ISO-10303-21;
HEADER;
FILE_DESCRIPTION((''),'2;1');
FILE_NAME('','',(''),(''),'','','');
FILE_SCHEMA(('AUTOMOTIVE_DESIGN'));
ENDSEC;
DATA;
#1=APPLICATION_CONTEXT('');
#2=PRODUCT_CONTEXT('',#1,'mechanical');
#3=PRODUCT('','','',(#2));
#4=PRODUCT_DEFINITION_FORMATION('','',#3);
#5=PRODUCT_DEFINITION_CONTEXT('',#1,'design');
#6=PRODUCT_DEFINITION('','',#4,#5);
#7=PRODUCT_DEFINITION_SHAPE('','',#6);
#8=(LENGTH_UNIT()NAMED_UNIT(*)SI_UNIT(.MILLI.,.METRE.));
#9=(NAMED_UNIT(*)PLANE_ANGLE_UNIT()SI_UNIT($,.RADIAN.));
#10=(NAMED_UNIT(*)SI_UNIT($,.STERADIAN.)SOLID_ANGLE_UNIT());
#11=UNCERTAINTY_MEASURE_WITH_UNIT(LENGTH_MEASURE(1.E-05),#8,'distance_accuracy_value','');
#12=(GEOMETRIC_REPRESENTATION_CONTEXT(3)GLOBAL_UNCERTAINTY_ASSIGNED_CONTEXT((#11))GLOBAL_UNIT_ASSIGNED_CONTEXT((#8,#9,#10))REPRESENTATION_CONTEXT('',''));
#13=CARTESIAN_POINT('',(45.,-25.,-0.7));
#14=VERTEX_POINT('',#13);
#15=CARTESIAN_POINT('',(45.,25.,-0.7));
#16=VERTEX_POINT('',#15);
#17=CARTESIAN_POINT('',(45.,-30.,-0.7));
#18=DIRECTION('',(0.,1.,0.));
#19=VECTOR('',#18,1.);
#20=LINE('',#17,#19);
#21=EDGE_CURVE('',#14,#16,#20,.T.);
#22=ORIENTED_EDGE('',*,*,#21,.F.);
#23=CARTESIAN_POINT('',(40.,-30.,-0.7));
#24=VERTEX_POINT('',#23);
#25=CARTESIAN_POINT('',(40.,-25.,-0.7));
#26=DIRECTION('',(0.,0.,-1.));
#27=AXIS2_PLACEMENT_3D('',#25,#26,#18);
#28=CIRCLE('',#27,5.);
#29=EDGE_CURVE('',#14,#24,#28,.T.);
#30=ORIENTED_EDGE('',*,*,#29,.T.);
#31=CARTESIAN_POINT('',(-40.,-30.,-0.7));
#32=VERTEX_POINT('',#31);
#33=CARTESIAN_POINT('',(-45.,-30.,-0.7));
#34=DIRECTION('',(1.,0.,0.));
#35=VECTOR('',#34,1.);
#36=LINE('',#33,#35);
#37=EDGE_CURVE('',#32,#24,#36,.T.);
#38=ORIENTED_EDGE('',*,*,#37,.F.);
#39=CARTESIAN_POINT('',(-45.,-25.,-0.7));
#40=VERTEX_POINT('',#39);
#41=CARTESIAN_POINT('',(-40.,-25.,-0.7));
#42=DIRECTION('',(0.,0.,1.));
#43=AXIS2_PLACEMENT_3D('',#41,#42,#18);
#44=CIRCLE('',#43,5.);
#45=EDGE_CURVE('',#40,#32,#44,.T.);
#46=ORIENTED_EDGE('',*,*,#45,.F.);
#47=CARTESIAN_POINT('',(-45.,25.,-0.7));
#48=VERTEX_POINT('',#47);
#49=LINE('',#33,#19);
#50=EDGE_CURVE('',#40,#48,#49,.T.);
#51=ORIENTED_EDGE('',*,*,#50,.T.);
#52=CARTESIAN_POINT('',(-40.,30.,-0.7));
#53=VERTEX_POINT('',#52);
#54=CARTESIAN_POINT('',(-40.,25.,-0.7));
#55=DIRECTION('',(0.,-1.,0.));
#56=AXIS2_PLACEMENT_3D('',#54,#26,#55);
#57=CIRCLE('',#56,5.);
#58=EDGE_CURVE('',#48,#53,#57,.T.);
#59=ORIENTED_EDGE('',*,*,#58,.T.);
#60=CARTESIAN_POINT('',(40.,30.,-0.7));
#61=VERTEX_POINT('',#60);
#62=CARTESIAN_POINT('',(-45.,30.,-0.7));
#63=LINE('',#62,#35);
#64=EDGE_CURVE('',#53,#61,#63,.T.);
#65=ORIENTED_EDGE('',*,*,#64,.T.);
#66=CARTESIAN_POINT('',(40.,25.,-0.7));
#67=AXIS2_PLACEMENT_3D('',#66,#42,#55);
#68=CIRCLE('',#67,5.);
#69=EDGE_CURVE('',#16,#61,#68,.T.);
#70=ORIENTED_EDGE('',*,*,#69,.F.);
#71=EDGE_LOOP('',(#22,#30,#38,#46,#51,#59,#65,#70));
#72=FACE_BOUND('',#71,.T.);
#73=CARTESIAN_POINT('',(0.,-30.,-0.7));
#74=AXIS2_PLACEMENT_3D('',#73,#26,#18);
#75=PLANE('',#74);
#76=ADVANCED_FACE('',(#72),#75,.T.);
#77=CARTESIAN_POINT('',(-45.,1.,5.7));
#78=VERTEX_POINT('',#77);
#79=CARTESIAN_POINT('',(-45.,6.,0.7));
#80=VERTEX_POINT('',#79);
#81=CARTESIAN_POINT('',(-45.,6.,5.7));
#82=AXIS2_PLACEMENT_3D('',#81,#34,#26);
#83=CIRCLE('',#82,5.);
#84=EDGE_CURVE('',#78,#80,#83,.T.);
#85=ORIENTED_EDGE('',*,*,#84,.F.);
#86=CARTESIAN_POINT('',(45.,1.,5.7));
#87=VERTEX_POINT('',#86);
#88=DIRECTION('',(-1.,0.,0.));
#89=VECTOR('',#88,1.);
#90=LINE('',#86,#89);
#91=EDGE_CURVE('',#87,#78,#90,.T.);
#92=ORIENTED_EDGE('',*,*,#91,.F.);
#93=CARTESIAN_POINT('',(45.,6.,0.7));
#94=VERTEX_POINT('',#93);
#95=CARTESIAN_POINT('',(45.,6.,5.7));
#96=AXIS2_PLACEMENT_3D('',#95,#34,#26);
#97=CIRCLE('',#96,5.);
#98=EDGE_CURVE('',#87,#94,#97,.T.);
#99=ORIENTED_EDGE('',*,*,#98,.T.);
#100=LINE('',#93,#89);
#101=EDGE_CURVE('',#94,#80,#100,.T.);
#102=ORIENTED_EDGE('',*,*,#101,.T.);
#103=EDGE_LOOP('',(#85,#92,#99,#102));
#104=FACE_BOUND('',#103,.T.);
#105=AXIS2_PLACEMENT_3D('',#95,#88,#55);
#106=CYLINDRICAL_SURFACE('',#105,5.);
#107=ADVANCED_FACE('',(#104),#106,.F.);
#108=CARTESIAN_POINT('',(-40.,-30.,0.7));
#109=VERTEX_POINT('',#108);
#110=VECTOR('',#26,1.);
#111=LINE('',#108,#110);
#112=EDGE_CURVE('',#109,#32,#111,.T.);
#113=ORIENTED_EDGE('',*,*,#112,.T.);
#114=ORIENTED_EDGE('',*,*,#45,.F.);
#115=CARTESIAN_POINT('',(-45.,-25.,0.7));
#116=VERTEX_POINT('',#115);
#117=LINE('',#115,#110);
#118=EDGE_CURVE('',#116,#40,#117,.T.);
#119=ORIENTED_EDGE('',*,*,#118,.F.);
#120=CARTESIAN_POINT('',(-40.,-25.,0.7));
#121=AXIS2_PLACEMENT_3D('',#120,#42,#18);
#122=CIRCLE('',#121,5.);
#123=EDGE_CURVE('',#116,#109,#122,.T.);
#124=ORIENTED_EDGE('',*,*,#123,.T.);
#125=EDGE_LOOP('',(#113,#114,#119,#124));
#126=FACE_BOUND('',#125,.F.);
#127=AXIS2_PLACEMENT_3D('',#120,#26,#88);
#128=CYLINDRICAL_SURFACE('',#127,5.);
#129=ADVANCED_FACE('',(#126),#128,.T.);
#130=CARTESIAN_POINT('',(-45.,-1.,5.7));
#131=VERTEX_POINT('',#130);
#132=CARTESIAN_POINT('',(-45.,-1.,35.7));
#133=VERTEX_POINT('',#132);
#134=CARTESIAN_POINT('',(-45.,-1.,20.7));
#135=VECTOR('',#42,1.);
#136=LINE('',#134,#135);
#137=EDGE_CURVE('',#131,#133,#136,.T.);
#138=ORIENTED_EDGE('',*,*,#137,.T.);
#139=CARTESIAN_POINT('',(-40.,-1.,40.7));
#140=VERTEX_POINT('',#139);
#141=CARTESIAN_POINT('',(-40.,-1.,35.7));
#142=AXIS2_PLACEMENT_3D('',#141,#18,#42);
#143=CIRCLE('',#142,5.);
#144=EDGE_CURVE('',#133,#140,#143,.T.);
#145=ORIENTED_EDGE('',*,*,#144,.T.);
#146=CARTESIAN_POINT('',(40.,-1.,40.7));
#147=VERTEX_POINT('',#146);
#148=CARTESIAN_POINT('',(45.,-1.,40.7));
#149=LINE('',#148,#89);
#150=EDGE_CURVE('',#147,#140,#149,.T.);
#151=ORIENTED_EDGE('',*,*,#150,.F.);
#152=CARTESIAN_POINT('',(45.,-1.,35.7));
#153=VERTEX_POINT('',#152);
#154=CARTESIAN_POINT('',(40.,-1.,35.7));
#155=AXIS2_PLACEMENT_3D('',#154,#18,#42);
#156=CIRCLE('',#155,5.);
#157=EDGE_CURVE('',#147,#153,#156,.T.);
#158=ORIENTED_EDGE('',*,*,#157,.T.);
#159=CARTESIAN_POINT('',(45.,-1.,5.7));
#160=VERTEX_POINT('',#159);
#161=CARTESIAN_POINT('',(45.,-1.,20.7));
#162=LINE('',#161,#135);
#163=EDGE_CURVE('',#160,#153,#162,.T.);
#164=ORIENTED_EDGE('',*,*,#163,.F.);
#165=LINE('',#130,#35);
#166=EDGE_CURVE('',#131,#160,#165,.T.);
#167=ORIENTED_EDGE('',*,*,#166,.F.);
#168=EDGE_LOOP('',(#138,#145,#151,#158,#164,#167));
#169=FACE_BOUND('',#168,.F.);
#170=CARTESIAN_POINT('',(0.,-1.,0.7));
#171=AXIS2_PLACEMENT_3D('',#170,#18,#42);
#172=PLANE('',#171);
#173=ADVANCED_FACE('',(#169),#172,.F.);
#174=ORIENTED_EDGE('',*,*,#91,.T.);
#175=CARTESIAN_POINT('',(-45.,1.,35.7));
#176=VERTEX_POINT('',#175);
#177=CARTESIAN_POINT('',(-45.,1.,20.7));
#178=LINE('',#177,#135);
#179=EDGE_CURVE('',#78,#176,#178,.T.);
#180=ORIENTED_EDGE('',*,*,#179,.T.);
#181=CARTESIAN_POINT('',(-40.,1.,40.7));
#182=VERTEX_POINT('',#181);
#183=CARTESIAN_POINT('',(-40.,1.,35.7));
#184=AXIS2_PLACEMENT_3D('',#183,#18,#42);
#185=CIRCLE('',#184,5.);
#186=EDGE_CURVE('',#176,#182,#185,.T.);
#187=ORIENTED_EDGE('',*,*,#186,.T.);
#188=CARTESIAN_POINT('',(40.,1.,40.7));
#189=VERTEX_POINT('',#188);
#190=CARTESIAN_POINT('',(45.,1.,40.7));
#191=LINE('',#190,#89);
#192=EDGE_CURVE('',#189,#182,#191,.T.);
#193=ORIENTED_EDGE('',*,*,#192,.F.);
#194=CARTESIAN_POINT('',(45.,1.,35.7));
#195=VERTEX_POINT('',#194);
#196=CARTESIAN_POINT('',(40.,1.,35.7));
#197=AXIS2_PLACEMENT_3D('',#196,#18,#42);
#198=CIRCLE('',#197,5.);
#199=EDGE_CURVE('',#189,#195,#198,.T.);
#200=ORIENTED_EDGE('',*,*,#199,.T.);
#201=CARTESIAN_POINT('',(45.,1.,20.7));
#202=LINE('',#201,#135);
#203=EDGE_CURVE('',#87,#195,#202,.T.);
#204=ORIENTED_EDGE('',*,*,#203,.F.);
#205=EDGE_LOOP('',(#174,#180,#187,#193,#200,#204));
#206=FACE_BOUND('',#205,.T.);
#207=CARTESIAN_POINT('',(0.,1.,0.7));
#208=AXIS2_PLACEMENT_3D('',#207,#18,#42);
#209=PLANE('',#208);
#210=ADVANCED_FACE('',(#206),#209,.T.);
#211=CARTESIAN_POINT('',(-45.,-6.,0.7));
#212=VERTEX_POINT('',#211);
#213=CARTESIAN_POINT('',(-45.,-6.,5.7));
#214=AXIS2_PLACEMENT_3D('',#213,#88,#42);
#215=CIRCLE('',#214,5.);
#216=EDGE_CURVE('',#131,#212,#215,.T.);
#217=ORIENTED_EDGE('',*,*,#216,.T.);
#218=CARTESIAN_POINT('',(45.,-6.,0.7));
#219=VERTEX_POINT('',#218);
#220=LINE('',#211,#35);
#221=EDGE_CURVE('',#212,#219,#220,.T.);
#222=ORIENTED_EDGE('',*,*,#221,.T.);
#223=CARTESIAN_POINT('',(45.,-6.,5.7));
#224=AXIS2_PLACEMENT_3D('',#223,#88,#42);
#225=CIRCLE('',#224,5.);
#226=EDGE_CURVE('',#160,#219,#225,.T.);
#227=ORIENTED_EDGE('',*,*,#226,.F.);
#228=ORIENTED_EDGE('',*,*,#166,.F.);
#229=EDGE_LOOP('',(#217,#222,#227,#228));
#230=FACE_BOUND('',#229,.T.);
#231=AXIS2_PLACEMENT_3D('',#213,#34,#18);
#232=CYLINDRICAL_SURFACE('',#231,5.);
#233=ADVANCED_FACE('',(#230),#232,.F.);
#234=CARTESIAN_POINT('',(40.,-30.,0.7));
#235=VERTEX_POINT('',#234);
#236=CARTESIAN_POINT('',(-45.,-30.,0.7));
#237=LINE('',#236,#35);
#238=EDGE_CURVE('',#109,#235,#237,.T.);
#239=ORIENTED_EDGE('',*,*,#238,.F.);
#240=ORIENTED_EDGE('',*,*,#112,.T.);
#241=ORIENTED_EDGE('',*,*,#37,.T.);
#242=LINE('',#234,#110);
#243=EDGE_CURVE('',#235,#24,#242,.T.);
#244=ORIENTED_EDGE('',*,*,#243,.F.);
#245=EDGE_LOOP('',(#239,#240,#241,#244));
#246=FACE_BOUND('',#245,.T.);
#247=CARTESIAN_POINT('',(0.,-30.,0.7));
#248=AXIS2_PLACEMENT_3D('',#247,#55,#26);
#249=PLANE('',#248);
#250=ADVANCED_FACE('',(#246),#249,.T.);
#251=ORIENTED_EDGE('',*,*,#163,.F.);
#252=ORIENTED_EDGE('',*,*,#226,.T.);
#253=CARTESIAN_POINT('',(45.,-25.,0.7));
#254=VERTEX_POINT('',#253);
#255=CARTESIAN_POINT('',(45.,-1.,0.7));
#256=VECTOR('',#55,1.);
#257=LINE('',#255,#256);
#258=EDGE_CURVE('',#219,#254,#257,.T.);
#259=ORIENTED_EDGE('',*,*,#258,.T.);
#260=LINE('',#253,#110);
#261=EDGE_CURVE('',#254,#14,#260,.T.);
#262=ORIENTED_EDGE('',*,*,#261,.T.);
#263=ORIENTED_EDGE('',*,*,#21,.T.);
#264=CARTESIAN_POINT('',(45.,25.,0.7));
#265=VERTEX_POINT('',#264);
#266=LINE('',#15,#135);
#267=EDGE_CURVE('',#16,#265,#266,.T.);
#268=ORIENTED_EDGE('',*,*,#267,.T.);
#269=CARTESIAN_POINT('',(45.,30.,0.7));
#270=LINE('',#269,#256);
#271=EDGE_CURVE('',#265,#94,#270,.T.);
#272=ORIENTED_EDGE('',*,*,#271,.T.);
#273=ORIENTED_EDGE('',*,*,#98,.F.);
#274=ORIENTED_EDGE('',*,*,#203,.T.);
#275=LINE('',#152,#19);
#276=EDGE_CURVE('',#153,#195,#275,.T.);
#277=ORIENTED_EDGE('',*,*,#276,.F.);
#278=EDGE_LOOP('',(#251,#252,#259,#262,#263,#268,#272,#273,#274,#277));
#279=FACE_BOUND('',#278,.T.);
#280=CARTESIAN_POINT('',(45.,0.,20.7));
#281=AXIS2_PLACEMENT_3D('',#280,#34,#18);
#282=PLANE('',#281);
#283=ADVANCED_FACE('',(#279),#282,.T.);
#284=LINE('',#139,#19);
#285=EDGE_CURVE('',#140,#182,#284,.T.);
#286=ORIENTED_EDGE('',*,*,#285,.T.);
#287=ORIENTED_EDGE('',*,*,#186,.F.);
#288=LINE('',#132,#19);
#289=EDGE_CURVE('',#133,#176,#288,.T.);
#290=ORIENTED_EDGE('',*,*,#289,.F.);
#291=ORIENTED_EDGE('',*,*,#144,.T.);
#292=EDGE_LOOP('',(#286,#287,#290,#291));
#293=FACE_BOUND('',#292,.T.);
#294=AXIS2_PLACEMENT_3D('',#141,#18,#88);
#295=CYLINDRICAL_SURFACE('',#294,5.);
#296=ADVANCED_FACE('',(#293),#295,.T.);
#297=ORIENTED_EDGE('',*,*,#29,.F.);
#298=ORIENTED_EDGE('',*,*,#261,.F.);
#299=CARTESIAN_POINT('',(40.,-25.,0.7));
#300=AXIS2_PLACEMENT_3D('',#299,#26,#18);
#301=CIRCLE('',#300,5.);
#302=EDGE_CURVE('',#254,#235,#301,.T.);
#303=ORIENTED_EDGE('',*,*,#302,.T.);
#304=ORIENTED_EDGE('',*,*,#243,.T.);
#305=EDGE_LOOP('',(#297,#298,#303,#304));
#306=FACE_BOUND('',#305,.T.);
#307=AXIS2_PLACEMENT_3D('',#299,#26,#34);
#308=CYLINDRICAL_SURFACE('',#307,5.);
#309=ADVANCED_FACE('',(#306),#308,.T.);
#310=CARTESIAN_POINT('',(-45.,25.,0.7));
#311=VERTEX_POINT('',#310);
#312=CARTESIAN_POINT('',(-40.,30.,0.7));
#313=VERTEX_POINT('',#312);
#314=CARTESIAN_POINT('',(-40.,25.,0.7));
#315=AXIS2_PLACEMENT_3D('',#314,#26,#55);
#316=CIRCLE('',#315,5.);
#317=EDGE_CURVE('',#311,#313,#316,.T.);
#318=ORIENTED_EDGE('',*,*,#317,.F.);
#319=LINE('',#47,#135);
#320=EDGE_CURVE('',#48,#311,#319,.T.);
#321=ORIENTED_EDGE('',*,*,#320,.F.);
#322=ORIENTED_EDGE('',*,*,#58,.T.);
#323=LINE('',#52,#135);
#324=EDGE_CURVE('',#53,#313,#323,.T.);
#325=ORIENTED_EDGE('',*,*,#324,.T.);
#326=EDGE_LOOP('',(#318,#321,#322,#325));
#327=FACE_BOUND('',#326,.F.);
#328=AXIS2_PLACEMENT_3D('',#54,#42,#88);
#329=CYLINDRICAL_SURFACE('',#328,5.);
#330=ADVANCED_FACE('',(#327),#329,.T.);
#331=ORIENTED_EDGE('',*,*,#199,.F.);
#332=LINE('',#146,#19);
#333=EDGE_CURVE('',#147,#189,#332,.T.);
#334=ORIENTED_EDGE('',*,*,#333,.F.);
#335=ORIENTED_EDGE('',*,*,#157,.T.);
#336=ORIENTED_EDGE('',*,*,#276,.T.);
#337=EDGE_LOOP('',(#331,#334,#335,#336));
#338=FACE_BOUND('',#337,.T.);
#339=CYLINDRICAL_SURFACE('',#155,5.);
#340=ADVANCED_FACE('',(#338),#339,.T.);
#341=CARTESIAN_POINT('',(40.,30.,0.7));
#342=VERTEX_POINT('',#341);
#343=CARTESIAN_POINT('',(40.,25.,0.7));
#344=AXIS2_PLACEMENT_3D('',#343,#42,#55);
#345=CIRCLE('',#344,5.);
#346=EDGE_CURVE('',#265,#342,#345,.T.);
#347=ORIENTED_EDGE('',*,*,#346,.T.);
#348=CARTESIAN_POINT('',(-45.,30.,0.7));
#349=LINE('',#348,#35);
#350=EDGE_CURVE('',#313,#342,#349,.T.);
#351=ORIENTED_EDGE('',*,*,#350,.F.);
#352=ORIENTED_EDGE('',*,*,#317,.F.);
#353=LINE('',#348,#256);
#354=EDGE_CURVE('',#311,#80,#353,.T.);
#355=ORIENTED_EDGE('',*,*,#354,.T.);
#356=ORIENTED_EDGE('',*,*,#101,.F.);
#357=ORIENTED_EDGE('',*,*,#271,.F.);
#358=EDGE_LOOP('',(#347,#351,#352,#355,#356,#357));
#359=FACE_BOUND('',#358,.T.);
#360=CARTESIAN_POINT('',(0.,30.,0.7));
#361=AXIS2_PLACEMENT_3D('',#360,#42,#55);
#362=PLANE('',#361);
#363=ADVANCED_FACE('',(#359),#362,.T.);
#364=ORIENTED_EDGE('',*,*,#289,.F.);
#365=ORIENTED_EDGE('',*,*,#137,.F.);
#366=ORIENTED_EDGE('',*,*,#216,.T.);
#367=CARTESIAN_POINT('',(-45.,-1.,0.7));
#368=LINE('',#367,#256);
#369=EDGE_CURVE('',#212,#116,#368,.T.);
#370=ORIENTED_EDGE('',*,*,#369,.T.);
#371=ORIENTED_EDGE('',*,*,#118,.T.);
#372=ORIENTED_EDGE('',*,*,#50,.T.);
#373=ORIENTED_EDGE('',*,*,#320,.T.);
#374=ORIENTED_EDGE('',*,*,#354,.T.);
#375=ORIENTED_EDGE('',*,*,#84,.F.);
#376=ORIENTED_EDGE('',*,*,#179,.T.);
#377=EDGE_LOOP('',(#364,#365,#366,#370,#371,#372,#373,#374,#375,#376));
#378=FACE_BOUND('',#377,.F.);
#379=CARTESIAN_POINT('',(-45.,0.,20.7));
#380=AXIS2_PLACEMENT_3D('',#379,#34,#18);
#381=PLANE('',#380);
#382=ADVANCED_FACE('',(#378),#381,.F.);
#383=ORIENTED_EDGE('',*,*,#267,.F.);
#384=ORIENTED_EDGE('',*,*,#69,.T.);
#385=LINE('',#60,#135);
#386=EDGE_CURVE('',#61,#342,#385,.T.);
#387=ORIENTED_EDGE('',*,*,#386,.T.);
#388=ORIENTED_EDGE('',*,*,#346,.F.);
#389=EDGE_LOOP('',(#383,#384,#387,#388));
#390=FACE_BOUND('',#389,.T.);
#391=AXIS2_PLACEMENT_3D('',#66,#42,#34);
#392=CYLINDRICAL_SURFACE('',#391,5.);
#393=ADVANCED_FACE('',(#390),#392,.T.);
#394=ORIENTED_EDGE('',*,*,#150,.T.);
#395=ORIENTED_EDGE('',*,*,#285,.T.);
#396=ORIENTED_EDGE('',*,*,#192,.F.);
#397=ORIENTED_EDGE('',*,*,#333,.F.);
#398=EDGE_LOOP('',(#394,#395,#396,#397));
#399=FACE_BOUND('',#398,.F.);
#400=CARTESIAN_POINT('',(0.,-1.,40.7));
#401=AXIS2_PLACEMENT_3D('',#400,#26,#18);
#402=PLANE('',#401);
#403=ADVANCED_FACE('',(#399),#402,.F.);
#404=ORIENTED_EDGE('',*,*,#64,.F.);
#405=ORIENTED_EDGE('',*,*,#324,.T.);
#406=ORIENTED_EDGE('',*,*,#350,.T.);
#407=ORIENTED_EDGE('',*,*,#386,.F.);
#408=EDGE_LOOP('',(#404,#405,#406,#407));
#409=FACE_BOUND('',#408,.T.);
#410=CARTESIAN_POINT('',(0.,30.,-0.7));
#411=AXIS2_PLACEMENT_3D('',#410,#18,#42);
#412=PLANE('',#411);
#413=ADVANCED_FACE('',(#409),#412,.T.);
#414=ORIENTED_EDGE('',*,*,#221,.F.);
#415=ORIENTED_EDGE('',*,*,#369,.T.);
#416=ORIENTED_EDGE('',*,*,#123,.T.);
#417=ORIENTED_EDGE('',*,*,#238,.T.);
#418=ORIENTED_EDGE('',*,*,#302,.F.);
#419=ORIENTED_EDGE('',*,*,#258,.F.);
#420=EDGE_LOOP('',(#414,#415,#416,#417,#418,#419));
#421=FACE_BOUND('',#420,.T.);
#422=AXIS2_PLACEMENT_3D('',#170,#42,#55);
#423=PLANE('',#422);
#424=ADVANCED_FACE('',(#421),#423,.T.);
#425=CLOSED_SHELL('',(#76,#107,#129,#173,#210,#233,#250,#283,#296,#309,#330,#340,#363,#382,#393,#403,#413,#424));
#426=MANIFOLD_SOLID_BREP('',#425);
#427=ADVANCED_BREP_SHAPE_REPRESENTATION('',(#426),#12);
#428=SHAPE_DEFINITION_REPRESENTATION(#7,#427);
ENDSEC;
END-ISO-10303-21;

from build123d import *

# Parameters (mm, degrees)
F0_W     = 2
F0_H     = 40
F1_DEPTH = 45
F2_R     = 5
F3_R     = 5


with BuildPart() as f1:
    # F0 (on Right) → F1 (new body, symmetric)
    with BuildSketch(Plane.YZ):
        with Locations((0, 20.7)):
            Rectangle(F0_W, F0_H)
        Polygon((30, -0.7), (30, 0.7), (1, 0.7), (-1, 0.7), (-30, 0.7), (-30, -0.7), align=None)
    extrude(amount=F1_DEPTH, both=True)

    # F2
    f2_edges = [f1.edges().sort_by_distance(p)[0] for p in [
        (0, -1, 0.7),
        (0, 1, 0.7),
    ]]
    fillet(f2_edges, radius=F2_R)

    # F3
    f3_edges = [f1.edges().sort_by_distance(p)[0] for p in [
        (-45, -30, 0),
        (-45, 30, 0),
        (45, 30, 0),
        (45, -30, 0),
        (-45, 0, 40.7),
        (45, 0, 40.7),
    ]]
    fillet(f3_edges, radius=F3_R)


solid = f1.part
